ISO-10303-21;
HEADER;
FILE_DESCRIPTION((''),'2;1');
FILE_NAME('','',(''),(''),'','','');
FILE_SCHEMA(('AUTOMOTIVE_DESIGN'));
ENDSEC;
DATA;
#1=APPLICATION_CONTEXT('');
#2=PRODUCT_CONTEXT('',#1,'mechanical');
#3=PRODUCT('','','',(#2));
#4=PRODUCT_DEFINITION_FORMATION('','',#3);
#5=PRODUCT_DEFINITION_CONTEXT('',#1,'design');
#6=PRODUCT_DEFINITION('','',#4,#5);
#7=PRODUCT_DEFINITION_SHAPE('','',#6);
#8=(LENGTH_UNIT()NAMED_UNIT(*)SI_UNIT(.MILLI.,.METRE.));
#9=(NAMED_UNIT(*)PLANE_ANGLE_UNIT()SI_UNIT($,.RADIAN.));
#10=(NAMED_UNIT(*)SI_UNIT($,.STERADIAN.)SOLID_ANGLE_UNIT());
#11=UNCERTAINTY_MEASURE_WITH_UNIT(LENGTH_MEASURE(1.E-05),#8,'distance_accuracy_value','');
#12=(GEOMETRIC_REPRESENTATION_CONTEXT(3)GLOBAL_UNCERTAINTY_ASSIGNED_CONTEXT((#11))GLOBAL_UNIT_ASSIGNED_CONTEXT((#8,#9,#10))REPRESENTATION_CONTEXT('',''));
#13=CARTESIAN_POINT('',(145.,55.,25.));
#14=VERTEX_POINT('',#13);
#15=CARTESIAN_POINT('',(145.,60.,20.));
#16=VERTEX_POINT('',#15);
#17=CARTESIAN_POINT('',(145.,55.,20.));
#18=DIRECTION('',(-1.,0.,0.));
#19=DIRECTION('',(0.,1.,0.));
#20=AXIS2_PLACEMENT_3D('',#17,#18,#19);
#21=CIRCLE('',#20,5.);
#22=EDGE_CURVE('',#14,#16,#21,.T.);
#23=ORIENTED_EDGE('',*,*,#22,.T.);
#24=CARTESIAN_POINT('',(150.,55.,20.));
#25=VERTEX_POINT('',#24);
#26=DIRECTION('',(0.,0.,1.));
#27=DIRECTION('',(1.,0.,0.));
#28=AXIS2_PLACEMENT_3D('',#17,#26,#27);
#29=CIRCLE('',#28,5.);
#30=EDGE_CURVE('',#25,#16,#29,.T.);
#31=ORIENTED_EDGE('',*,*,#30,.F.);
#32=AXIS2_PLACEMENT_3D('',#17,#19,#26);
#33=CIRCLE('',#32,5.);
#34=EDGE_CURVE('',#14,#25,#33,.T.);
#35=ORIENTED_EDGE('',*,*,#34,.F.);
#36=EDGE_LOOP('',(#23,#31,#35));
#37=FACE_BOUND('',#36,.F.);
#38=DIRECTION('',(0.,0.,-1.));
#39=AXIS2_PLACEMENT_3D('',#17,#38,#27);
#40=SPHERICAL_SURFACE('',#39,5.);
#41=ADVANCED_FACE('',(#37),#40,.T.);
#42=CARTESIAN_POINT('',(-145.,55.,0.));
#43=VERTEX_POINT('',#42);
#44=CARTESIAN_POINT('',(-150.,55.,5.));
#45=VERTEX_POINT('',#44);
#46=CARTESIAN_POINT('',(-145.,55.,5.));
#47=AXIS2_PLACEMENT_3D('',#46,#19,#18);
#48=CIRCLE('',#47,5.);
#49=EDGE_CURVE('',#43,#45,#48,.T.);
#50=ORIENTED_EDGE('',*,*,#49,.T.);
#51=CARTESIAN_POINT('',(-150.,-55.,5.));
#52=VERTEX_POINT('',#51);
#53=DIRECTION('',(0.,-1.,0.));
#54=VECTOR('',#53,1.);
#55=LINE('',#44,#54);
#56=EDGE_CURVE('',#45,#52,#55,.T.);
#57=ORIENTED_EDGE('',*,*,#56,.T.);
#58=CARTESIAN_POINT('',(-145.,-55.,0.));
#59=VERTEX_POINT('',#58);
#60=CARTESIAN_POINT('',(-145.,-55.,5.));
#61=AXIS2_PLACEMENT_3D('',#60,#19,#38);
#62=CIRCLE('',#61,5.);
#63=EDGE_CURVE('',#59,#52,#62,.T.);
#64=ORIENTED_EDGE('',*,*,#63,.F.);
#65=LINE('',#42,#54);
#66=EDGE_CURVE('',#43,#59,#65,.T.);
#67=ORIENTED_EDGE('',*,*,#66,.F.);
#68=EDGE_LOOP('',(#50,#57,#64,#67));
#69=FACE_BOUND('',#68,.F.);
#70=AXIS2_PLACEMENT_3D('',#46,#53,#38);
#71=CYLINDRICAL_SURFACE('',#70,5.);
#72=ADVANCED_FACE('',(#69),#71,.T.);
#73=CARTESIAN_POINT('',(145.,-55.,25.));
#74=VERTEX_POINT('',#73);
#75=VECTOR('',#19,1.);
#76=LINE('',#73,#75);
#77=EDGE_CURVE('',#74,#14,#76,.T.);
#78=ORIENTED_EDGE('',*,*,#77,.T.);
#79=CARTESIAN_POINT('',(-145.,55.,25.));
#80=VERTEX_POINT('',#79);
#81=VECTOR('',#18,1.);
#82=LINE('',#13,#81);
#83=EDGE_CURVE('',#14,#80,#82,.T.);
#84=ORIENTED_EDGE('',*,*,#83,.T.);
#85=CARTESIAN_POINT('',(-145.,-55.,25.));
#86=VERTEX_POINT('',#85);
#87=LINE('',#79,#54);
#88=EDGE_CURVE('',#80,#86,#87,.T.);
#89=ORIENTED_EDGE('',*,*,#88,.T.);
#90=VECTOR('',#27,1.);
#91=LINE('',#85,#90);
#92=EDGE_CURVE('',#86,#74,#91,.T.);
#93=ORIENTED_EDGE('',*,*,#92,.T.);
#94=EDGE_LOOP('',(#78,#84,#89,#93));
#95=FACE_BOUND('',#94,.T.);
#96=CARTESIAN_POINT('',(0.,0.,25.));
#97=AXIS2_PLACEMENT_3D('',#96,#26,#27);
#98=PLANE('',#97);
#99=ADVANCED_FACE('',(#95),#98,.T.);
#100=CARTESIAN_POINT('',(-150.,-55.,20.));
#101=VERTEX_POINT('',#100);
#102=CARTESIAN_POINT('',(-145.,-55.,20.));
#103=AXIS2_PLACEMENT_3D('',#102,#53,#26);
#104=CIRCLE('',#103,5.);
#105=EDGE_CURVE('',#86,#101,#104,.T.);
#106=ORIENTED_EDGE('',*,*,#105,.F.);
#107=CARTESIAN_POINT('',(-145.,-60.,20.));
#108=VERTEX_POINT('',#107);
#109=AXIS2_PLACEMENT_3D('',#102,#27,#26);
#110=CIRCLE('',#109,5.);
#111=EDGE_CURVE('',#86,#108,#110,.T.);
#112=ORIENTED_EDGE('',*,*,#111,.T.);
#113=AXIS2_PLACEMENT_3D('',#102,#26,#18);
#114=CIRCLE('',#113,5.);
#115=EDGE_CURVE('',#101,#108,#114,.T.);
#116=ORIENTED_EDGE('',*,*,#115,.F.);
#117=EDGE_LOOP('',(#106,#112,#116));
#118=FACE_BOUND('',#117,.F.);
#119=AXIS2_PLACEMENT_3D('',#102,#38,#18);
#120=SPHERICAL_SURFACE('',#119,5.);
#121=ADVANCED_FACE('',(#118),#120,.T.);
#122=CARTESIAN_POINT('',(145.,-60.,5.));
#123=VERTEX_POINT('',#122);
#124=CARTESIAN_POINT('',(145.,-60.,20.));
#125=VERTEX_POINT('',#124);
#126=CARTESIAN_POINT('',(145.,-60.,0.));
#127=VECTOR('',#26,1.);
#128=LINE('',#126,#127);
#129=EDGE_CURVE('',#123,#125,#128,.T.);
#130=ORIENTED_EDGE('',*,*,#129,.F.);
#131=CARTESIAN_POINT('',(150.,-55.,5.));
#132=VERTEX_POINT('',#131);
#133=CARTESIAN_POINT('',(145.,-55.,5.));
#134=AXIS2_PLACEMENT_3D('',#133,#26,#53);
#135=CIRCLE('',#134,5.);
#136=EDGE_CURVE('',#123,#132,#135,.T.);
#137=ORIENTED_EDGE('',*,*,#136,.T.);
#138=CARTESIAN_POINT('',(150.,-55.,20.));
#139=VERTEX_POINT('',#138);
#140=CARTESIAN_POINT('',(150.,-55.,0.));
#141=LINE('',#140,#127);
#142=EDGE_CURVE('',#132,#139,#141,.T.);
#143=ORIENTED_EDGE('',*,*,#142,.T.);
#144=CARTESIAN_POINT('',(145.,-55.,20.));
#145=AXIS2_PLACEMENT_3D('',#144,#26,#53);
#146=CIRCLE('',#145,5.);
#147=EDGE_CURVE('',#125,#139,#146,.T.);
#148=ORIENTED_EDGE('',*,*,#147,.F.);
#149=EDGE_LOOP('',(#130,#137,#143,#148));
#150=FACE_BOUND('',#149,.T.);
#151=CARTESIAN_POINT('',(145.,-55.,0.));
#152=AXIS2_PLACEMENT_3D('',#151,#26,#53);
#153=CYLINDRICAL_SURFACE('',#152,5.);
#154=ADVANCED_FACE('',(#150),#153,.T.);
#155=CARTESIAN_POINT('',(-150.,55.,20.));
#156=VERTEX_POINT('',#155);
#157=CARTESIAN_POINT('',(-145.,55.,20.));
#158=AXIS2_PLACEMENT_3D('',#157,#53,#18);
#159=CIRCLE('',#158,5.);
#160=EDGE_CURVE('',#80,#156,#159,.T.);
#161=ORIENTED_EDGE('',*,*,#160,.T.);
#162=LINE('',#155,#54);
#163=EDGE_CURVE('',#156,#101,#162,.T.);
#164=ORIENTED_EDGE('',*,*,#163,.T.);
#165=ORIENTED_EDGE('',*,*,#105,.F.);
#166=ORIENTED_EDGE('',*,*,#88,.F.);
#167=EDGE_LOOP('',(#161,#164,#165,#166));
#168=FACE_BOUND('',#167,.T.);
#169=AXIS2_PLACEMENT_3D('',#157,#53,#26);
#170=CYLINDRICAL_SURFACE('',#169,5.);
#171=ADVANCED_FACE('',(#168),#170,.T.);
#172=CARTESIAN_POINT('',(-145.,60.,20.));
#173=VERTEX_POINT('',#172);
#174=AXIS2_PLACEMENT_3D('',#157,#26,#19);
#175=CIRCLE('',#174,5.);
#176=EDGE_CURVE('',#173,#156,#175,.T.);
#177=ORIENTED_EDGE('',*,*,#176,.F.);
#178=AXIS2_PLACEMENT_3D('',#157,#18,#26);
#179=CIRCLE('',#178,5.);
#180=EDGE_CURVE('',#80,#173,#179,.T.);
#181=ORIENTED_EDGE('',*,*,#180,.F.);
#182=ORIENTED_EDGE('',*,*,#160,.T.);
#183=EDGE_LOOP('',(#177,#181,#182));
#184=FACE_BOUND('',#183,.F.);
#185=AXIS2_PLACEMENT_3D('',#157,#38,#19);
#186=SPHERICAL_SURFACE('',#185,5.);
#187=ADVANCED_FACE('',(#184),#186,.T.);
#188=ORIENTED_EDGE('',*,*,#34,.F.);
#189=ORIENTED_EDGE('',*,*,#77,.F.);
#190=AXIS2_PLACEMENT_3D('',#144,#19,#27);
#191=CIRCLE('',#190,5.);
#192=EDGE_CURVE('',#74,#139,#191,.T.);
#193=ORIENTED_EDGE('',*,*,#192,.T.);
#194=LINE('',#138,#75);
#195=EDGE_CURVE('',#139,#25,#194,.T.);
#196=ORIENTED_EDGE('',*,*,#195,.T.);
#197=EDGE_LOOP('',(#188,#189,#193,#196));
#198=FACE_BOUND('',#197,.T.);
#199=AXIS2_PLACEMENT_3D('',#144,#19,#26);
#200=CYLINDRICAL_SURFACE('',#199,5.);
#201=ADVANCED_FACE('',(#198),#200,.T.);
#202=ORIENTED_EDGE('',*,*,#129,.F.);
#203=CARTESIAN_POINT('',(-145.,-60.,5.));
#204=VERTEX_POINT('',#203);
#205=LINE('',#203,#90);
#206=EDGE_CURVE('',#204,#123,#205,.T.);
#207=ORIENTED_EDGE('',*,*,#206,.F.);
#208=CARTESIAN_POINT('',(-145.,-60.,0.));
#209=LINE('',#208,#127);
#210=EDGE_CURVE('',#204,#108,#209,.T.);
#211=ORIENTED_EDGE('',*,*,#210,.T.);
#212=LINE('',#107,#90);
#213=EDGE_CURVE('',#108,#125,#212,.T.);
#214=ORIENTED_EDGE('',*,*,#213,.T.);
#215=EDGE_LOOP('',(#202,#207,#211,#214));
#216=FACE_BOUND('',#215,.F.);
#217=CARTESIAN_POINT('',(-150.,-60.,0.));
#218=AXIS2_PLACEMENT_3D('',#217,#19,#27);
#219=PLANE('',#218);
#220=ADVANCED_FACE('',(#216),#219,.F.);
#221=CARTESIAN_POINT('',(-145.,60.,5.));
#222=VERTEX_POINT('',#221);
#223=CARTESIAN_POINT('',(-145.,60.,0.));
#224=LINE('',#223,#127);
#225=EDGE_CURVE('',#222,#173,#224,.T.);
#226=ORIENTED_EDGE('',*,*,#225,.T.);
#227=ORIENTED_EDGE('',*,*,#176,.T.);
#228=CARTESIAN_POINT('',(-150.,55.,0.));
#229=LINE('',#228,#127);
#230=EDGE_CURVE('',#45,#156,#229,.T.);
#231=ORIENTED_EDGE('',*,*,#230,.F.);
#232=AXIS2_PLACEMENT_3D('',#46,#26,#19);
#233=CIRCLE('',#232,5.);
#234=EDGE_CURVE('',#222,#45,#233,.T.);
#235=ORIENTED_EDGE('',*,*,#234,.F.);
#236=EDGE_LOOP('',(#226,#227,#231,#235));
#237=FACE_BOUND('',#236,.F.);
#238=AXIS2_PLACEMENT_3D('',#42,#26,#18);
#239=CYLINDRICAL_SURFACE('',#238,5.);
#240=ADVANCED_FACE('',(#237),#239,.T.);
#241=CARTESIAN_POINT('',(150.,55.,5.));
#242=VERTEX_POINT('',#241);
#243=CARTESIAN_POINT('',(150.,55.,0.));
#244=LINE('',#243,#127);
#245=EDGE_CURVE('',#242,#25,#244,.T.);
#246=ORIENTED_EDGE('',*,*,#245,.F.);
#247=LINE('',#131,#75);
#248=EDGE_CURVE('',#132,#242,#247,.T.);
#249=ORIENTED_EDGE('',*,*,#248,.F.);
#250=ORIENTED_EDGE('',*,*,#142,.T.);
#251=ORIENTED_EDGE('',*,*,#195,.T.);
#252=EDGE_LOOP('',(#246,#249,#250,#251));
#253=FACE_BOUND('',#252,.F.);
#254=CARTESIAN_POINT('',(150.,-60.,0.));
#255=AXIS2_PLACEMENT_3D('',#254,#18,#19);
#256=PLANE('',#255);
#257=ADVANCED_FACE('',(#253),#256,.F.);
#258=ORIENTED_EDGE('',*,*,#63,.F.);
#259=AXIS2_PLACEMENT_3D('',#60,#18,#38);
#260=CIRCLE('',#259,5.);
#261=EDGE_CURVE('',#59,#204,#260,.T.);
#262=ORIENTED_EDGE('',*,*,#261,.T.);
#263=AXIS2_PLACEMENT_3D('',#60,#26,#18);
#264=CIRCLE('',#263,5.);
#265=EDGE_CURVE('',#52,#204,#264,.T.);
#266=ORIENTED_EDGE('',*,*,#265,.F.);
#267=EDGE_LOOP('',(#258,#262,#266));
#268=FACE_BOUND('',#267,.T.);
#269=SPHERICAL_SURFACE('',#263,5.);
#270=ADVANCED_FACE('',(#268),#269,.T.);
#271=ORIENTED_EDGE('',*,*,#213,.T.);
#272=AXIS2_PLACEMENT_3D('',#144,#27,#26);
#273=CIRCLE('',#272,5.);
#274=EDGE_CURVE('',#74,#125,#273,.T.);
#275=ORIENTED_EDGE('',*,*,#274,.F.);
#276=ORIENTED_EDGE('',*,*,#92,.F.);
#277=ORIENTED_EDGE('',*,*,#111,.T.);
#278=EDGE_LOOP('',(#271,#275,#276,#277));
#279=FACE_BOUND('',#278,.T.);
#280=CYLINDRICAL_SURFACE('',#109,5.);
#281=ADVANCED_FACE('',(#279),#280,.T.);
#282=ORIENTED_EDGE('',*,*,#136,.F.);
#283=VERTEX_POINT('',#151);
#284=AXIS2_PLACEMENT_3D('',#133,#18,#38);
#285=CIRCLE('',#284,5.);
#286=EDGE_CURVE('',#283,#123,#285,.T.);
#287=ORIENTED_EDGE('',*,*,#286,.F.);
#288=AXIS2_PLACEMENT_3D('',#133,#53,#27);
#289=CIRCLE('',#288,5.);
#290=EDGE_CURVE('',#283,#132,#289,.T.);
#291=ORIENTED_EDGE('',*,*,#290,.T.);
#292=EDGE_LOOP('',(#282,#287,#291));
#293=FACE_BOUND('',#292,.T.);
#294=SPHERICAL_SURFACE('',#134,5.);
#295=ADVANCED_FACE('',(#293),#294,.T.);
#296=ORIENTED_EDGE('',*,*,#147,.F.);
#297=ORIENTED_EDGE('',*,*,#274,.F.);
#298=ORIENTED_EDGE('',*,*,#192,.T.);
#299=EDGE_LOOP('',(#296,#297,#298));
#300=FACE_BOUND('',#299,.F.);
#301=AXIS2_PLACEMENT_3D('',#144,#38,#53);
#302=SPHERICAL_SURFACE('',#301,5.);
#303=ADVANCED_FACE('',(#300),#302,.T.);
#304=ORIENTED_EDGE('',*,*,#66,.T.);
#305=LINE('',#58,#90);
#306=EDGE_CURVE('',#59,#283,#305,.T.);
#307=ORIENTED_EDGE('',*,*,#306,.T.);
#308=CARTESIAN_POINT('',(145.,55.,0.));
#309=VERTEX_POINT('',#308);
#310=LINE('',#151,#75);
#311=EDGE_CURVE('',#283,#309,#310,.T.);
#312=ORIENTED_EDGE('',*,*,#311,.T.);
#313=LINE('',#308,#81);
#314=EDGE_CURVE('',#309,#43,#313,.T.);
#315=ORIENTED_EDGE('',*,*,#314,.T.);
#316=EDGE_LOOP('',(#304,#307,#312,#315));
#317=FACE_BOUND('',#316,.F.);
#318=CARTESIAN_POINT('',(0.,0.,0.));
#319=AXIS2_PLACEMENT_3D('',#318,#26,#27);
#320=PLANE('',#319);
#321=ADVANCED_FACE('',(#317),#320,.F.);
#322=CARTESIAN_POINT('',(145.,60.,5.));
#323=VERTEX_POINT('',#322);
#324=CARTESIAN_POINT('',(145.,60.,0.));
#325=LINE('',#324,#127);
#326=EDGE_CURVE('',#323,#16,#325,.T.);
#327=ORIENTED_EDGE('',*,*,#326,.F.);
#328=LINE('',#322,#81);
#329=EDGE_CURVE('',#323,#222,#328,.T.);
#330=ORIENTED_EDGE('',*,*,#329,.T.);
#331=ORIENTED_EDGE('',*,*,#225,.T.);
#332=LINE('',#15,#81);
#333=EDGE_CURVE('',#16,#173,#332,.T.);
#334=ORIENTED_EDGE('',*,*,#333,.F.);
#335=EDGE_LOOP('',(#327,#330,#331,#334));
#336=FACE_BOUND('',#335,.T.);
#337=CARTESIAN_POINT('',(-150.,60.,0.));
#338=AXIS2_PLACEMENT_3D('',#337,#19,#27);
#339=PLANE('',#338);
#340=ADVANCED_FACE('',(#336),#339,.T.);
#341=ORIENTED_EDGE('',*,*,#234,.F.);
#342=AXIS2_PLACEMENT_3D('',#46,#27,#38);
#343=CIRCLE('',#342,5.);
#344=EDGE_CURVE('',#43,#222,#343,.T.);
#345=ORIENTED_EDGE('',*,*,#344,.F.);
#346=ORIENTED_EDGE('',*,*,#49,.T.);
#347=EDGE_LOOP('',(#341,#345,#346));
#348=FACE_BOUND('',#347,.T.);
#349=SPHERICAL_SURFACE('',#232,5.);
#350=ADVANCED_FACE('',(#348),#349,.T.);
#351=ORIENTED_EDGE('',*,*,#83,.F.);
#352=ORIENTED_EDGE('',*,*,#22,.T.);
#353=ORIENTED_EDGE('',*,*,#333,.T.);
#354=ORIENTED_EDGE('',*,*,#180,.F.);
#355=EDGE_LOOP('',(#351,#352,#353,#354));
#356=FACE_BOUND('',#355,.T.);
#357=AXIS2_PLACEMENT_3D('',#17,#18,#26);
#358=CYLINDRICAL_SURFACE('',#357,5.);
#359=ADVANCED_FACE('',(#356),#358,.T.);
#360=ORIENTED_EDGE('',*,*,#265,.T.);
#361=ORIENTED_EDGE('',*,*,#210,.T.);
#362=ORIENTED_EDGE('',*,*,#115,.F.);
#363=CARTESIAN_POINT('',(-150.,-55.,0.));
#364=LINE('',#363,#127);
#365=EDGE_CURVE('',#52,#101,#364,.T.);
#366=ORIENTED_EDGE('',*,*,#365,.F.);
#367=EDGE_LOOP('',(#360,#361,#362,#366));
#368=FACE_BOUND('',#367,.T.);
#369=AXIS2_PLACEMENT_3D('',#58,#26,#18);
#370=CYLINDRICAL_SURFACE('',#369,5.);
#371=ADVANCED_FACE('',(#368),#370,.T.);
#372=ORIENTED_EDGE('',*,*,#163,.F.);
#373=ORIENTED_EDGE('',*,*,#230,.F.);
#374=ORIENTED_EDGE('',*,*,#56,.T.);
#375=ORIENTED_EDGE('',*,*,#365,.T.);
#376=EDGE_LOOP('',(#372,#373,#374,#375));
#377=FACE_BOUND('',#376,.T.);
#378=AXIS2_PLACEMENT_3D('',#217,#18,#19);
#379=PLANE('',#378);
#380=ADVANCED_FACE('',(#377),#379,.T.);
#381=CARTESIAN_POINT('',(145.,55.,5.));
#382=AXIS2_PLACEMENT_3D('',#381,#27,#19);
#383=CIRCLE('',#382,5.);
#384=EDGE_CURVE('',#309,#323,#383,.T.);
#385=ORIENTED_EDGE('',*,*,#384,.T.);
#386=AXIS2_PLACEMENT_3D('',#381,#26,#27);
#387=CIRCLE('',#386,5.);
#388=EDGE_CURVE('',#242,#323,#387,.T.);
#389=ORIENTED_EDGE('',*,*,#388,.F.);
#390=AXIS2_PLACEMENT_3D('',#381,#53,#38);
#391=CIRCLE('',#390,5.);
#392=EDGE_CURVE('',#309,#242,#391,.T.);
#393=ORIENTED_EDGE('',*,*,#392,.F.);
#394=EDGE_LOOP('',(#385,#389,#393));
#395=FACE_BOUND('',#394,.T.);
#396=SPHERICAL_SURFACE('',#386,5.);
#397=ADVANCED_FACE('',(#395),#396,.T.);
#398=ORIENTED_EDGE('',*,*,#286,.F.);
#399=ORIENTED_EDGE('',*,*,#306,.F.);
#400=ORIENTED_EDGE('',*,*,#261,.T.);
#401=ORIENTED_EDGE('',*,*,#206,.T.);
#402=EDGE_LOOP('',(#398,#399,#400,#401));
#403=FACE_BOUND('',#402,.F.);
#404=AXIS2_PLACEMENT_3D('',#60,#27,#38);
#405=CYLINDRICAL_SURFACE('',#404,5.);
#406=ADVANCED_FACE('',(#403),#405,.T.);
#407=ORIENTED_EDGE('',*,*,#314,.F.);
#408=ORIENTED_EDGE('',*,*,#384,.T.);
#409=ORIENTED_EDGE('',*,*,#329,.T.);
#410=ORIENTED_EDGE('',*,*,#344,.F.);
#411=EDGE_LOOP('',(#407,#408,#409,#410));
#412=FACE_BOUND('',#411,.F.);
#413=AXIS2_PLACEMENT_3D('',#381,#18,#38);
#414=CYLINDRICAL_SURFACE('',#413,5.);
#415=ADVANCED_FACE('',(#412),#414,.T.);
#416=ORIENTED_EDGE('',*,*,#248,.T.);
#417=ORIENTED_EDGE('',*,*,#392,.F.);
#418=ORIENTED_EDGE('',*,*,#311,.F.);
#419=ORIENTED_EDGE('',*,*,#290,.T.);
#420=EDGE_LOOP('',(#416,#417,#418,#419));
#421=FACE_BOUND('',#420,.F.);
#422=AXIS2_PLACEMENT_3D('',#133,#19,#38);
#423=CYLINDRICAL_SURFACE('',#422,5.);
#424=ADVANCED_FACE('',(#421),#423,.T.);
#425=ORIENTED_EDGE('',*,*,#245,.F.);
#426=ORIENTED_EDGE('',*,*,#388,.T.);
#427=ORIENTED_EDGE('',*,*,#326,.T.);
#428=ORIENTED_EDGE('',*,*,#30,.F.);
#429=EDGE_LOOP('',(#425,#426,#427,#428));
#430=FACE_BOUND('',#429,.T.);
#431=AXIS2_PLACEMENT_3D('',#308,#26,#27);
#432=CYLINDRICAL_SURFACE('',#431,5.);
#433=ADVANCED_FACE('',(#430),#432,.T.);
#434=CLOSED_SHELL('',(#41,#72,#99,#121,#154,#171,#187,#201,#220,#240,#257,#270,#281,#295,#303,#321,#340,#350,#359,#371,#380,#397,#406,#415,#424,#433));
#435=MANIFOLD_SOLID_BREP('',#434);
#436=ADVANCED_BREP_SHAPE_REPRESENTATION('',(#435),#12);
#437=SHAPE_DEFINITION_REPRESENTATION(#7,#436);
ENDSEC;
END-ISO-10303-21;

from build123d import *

# Parameters (mm, degrees)
F0_W     = 300
F0_H     = 120
F1_DEPTH = 25
F2_R     = 5
F3_R     = 5


with BuildPart() as f1:
    # F0 (on Top) → F1 (new body)
    with BuildSketch(Plane.XY):
        Rectangle(F0_W, F0_H)
    extrude(amount=F1_DEPTH)

    # F2
    f2_edges = [f1.edges().sort_by_distance(p)[0] for p in [
        (150, -60, 12.5),
        (150, 60, 12.5),
        (-150, -60, 12.5),
        (-150, 60, 12.5),
    ]]
    fillet(f2_edges, radius=F2_R)

    # F3
    f3_edges = [f1.edges().sort_by_distance(p)[0] for p in [
        (0, -60, 0),
        (0, -60, 25),
    ]]
    fillet(f3_edges, radius=F3_R)


solid = f1.part
